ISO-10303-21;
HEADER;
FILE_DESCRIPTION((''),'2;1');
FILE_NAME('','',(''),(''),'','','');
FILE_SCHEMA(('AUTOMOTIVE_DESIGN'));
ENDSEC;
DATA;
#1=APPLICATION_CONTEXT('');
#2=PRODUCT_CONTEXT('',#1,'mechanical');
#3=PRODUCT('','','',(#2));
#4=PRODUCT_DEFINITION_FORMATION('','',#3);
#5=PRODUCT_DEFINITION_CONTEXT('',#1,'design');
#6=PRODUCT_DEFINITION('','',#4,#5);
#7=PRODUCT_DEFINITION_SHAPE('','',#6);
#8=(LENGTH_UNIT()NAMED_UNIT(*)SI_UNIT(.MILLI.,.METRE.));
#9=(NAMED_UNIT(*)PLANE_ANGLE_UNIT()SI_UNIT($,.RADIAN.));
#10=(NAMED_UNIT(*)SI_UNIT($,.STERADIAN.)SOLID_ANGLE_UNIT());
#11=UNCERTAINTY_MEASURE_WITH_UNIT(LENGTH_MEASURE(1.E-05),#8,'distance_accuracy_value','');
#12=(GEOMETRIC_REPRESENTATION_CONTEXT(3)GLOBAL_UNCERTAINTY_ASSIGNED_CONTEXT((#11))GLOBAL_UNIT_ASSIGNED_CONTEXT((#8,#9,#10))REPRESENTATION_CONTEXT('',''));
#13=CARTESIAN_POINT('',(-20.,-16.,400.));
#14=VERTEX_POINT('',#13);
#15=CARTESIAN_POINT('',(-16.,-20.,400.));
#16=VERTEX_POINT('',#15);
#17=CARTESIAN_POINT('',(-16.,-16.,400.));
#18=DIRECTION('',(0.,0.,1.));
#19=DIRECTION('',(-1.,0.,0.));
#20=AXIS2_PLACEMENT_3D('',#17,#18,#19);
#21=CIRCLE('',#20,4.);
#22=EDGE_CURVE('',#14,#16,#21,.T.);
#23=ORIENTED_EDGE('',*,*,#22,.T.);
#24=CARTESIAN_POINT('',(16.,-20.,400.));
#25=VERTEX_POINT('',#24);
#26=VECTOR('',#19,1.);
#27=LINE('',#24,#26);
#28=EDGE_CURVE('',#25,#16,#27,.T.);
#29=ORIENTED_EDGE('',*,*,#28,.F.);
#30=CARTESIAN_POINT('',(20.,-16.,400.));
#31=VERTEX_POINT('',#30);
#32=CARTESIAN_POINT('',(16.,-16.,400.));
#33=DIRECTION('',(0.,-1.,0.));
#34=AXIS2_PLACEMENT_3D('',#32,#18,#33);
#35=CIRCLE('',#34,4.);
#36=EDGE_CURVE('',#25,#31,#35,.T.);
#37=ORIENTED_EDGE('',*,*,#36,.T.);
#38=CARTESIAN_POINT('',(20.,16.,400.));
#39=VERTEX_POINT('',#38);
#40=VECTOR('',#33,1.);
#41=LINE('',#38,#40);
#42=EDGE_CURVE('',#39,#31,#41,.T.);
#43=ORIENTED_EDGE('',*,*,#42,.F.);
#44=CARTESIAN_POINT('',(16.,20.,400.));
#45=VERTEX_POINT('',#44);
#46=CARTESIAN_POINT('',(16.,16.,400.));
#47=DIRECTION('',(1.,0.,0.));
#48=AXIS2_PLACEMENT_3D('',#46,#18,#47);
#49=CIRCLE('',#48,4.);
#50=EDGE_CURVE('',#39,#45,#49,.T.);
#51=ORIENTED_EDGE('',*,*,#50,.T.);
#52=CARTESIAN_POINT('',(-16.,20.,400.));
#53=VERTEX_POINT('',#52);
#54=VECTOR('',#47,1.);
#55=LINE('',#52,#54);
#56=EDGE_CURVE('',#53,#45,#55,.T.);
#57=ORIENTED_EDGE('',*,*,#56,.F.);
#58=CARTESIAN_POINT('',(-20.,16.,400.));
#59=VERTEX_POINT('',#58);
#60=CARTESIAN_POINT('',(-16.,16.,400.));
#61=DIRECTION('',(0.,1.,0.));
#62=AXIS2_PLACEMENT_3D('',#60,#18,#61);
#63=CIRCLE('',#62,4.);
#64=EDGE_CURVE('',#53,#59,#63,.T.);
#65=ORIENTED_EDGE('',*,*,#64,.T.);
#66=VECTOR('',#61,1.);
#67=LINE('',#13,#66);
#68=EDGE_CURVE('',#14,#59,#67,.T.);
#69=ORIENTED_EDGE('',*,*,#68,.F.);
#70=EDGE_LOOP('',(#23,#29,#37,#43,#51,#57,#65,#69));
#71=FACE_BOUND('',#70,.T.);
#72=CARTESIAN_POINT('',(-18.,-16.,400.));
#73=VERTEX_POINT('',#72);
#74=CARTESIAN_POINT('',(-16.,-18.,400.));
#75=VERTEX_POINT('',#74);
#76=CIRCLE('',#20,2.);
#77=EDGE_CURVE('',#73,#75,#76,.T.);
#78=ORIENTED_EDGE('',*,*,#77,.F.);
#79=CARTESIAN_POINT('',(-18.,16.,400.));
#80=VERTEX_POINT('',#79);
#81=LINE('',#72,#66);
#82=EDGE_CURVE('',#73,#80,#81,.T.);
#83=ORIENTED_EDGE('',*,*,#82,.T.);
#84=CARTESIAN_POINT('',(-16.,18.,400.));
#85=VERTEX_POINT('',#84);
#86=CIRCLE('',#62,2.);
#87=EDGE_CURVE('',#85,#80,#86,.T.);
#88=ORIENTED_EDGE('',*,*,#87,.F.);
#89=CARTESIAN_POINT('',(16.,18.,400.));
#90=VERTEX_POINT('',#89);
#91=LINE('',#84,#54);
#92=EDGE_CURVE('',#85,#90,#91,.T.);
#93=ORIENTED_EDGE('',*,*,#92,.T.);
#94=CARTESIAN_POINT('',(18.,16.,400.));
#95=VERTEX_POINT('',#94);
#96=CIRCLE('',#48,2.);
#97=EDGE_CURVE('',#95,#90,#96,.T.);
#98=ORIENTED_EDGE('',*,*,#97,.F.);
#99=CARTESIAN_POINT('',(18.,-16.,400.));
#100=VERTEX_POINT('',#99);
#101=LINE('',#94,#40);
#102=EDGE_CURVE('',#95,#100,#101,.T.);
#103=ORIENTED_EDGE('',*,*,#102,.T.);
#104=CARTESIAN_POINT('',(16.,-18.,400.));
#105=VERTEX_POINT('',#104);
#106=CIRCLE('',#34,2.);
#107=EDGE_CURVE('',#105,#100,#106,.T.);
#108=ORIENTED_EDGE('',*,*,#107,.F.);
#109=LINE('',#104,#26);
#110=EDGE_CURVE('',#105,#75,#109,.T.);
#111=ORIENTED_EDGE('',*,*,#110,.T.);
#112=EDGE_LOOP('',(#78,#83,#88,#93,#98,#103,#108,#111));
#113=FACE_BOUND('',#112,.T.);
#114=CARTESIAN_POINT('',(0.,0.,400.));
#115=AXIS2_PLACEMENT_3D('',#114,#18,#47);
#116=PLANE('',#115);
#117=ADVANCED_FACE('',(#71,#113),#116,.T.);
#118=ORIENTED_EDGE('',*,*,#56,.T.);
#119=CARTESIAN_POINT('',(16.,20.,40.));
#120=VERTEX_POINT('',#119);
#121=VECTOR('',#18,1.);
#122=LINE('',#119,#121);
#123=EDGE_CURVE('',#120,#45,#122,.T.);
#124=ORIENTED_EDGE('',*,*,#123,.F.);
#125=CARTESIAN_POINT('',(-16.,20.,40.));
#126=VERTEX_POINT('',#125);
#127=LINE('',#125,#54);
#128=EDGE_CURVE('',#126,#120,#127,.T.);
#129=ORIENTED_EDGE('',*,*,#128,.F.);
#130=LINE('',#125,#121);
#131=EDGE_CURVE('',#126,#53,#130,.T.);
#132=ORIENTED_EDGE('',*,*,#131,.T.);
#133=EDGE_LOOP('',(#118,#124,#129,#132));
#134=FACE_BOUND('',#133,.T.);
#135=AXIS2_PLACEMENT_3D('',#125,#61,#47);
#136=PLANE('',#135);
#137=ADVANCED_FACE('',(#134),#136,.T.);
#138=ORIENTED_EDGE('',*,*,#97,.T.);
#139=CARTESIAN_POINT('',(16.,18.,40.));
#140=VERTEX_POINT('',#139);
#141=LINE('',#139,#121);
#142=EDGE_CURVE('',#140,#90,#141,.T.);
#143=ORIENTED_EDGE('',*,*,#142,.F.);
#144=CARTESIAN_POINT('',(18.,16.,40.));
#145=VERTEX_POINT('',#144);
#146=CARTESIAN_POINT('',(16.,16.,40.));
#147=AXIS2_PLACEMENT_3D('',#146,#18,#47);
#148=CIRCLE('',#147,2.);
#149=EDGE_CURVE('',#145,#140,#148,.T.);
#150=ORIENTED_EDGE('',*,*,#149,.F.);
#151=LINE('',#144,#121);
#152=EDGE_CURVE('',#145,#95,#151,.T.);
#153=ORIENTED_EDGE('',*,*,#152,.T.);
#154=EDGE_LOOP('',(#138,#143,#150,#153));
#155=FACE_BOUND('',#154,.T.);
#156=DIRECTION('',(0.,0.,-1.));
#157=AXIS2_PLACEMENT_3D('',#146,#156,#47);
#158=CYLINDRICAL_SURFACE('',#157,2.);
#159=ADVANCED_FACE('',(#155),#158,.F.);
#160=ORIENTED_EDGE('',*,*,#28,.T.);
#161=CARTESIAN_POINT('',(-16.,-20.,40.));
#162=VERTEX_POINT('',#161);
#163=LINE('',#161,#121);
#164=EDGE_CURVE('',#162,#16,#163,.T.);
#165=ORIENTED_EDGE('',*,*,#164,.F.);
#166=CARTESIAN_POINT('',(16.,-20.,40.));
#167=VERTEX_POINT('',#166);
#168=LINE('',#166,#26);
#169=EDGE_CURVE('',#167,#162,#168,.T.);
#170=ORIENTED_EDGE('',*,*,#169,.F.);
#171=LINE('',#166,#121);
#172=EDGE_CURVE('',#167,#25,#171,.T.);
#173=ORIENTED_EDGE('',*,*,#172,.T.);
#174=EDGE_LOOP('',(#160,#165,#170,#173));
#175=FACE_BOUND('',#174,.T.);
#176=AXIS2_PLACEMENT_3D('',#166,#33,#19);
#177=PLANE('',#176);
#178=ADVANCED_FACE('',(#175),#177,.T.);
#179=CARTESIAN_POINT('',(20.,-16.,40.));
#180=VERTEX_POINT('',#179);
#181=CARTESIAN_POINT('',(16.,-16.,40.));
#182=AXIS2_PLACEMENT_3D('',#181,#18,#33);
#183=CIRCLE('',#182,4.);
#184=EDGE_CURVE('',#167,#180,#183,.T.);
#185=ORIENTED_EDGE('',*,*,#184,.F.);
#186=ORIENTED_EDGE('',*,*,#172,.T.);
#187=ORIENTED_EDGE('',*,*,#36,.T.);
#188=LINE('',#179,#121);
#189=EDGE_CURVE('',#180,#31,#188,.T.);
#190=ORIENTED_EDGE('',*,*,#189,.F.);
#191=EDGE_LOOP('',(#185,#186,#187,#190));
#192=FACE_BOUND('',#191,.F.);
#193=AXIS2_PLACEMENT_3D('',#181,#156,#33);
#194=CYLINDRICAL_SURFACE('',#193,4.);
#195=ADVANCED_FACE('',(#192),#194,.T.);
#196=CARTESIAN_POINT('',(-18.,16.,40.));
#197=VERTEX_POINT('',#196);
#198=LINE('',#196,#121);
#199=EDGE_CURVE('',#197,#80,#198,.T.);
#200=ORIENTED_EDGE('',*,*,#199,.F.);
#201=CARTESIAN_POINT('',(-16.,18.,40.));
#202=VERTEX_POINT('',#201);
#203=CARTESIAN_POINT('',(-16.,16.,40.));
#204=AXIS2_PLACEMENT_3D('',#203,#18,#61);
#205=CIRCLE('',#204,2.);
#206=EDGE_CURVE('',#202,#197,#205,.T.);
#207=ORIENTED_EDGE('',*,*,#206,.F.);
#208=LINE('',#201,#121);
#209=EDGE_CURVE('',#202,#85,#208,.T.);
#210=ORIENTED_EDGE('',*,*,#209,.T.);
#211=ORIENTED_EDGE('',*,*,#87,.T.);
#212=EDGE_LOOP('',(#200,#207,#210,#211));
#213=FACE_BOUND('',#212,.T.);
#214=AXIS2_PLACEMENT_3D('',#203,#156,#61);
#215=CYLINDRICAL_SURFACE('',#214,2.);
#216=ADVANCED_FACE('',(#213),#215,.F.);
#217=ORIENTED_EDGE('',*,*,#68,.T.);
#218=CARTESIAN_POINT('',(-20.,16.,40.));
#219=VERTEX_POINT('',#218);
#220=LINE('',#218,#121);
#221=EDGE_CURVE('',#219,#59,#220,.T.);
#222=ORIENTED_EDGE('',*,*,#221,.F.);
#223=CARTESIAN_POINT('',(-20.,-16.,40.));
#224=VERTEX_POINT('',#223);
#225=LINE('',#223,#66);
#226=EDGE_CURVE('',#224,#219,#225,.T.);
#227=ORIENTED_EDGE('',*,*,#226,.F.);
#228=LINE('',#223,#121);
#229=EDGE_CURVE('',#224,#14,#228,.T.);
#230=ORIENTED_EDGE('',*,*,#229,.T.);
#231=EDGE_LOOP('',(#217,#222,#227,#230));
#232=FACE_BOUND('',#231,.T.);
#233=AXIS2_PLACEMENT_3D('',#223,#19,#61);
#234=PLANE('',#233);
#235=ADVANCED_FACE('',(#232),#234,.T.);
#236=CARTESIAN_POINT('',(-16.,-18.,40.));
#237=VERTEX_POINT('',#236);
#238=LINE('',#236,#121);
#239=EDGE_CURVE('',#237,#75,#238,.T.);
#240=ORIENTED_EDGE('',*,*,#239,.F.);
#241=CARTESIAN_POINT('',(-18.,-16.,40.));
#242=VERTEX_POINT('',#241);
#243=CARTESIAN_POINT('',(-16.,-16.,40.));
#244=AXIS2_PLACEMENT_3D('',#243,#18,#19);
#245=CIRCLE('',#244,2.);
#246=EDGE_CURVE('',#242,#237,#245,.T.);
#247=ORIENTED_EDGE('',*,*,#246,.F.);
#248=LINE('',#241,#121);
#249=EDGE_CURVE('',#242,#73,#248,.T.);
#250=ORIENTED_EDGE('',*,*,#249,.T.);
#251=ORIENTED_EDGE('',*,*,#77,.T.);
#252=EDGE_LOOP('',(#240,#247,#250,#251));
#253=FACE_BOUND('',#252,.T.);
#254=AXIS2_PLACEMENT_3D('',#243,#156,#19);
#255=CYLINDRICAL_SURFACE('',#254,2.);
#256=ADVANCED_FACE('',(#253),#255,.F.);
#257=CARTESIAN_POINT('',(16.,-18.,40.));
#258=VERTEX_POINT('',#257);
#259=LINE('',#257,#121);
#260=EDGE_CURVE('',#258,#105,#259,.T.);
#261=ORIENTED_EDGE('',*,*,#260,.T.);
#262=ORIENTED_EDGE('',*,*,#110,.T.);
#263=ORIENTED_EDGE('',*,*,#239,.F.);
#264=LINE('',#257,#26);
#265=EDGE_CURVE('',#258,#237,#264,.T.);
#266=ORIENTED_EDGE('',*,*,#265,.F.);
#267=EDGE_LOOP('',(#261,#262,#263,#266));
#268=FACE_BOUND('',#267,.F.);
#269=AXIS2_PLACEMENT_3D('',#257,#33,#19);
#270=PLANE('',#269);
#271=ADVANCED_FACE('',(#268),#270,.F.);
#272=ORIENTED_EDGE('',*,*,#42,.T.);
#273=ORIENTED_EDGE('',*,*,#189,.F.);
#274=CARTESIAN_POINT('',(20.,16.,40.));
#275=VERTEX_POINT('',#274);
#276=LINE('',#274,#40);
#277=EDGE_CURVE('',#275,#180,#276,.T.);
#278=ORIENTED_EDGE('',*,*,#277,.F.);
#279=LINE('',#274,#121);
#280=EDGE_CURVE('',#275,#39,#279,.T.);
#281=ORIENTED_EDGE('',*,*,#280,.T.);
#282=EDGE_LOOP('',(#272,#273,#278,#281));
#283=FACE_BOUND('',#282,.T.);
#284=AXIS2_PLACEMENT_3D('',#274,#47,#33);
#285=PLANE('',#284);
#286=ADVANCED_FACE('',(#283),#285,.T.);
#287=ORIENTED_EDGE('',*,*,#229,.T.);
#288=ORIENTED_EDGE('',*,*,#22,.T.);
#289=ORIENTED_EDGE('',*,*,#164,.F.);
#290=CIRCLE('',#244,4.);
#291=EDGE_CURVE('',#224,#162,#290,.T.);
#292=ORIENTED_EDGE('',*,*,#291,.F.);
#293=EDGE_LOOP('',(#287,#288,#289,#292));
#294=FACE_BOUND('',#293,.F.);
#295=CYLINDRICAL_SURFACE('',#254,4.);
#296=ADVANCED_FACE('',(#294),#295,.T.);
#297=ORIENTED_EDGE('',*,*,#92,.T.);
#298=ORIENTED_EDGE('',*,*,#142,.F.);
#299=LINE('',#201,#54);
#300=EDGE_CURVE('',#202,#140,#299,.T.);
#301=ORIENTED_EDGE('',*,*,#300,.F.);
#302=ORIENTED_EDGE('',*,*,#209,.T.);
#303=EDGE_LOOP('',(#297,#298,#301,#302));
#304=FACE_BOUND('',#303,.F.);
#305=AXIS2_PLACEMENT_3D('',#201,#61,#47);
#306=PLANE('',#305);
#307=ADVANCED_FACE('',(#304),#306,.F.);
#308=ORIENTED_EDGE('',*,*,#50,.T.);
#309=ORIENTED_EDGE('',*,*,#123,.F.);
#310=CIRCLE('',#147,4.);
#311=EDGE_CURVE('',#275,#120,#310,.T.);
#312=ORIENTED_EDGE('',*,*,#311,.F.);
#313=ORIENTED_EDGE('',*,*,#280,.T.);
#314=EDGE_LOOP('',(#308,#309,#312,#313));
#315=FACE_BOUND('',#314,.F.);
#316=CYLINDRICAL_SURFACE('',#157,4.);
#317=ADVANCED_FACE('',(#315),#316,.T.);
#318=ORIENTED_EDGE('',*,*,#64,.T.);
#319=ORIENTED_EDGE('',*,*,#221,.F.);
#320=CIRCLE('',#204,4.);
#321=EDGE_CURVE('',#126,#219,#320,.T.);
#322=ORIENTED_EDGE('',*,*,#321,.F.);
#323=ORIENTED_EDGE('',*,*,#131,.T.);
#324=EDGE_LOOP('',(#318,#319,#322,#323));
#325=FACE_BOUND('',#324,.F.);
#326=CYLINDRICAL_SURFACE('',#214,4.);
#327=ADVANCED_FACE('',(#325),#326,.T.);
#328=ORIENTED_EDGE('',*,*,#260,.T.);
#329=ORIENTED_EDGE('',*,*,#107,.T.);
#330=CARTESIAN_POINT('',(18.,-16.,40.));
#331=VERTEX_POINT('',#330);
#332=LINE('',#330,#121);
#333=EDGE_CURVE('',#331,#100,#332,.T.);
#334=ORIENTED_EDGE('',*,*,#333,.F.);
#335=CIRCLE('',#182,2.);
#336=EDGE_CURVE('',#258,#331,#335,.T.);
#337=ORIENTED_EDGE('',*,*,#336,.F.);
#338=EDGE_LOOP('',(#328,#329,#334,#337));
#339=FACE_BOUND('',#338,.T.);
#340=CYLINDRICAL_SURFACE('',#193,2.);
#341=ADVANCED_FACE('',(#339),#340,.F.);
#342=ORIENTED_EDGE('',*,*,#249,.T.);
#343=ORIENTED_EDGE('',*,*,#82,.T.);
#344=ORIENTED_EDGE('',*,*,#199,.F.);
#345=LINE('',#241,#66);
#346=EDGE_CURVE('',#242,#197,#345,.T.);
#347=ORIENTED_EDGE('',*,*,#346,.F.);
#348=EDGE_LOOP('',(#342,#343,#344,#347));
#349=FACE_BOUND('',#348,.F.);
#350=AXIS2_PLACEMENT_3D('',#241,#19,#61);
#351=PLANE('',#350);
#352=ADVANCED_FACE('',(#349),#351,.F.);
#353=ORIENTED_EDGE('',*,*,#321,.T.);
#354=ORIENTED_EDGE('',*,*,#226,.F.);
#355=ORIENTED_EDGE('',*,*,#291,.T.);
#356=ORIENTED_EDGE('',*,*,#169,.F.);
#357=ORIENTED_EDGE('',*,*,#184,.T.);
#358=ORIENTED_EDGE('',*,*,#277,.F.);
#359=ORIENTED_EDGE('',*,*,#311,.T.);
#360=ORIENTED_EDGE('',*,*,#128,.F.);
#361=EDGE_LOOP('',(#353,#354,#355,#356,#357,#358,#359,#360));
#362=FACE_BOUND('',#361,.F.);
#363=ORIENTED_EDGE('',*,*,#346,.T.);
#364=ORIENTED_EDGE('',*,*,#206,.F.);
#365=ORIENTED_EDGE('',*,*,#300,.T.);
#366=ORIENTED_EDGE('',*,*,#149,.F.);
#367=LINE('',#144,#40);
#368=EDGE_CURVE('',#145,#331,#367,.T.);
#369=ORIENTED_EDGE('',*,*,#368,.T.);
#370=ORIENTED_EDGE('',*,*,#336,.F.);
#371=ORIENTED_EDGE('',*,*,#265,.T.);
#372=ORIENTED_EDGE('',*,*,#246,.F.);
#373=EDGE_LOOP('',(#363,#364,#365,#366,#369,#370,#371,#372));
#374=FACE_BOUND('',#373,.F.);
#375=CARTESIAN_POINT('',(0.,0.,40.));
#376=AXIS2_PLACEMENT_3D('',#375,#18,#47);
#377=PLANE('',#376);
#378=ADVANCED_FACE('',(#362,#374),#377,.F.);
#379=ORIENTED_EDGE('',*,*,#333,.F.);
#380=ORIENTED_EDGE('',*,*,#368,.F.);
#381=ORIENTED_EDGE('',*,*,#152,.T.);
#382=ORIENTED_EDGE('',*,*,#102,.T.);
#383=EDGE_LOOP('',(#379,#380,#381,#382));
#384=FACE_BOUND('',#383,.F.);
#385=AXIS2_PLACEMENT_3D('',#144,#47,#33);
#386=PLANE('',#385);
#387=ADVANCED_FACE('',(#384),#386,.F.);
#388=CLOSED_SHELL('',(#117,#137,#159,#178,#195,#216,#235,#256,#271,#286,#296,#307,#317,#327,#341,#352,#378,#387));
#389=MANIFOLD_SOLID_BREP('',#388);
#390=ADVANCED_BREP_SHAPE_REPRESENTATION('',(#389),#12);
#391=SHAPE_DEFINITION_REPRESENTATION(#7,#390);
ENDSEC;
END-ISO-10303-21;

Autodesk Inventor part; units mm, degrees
ref_plane "YZ Plane" through (0, 0, 0) normal (1, 0, 0) x (0, 1, 0)
ref_plane "Start Plane" through (0, 0, 40) normal (0, 0, 1) x (1, 0, 0)
ref_plane "End Plane" through (0, 0, 400) normal (0, 0, 1) x (1, 0, 0)
sketch "Sketch" plane through (0, 0, 0) normal (0, 0, 1) x (1, 0, 0)
  line L0 (-20, -16) -> (-20, 16)
  line L1 (-16, 20) -> (16, 20)
  line L2 (20, 16) -> (20, -16)
  line L3 (16, -20) -> (-16, -20)
  arc A0 (-20, -16) -> (-16, -20) centre (-16, -16) ccw
  arc A1 (20, 16) -> (16, 20) centre (16, 16) ccw
  arc A2 (-16, 20) -> (-20, 16) centre (-16, 16) ccw
  arc A3 (16, -20) -> (20, -16) centre (16, -16) ccw
  arc A4 (-16, 18) -> (-18, 16) centre (-16, 16) ccw
  line L4 (-16, 18) -> (16, 18)
  arc A5 (18, 16) -> (16, 18) centre (16, 16) ccw
  line L5 (18, 16) -> (18, -16)
  arc A6 (16, -18) -> (18, -16) centre (16, -16) ccw
  line L6 (16, -18) -> (-16, -18)
  arc A7 (-18, -16) -> (-16, -18) centre (-16, -16) ccw
  line L7 (-18, -16) -> (-18, 16)
  line L8 (0, 29.1598) -> (0, -29.1598) construction
  line L9 (-29.1598, 0) -> (29.1598, 0) construction
  dimension "d7" = 4
  dimension "d9" = 40
  dimension "d11" = 40
  dimension "d12" = 2
  dimension "d15" = 20
  dimension "d16" = 20
extrude "Body" add sketch "Sketch" along normal up to surface (360 mm away) from surface at 40
sketch "Sketch3" plane through (0, 0, 0) normal (0, 0, 1) x (1, 0, 0)
  line L0 (0, 0) -> (10, 0)
ref_plane "Work Plane3" through (0, 0, 0) normal (0, -1, 0) x (1, 0, 0)
sketch "Sketch4" plane through (0, 0, 0) normal (0, -1, 0) x (1, 0, 0)
  line L0 (-2, 40) -> (12, 40) projected
  line L1 (-2, 400) -> (12, 400) projected
  dimension "d18" = 360
equation "\"d7\" = G_IR"
equation "\"d9\" = G_W"
equation "\"d11\" = G_H"
equation "\"d12\" = G_T"
equation "\"d15\" = 0.5 * d9"
equation "\"d16\" = 0.5 * d11"
equation "\"d3\" = G_L"
equation "\"G_W\" = 40"
equation "\"G_H\" = 40"
equation "\"G_T\" = 2"
equation "\"G_IR\" = 4"
equation "\"G_L\" = d18"
properties part number "ISO 10799-2 - 40x40x2 - 360" material "Steel, Mild"
